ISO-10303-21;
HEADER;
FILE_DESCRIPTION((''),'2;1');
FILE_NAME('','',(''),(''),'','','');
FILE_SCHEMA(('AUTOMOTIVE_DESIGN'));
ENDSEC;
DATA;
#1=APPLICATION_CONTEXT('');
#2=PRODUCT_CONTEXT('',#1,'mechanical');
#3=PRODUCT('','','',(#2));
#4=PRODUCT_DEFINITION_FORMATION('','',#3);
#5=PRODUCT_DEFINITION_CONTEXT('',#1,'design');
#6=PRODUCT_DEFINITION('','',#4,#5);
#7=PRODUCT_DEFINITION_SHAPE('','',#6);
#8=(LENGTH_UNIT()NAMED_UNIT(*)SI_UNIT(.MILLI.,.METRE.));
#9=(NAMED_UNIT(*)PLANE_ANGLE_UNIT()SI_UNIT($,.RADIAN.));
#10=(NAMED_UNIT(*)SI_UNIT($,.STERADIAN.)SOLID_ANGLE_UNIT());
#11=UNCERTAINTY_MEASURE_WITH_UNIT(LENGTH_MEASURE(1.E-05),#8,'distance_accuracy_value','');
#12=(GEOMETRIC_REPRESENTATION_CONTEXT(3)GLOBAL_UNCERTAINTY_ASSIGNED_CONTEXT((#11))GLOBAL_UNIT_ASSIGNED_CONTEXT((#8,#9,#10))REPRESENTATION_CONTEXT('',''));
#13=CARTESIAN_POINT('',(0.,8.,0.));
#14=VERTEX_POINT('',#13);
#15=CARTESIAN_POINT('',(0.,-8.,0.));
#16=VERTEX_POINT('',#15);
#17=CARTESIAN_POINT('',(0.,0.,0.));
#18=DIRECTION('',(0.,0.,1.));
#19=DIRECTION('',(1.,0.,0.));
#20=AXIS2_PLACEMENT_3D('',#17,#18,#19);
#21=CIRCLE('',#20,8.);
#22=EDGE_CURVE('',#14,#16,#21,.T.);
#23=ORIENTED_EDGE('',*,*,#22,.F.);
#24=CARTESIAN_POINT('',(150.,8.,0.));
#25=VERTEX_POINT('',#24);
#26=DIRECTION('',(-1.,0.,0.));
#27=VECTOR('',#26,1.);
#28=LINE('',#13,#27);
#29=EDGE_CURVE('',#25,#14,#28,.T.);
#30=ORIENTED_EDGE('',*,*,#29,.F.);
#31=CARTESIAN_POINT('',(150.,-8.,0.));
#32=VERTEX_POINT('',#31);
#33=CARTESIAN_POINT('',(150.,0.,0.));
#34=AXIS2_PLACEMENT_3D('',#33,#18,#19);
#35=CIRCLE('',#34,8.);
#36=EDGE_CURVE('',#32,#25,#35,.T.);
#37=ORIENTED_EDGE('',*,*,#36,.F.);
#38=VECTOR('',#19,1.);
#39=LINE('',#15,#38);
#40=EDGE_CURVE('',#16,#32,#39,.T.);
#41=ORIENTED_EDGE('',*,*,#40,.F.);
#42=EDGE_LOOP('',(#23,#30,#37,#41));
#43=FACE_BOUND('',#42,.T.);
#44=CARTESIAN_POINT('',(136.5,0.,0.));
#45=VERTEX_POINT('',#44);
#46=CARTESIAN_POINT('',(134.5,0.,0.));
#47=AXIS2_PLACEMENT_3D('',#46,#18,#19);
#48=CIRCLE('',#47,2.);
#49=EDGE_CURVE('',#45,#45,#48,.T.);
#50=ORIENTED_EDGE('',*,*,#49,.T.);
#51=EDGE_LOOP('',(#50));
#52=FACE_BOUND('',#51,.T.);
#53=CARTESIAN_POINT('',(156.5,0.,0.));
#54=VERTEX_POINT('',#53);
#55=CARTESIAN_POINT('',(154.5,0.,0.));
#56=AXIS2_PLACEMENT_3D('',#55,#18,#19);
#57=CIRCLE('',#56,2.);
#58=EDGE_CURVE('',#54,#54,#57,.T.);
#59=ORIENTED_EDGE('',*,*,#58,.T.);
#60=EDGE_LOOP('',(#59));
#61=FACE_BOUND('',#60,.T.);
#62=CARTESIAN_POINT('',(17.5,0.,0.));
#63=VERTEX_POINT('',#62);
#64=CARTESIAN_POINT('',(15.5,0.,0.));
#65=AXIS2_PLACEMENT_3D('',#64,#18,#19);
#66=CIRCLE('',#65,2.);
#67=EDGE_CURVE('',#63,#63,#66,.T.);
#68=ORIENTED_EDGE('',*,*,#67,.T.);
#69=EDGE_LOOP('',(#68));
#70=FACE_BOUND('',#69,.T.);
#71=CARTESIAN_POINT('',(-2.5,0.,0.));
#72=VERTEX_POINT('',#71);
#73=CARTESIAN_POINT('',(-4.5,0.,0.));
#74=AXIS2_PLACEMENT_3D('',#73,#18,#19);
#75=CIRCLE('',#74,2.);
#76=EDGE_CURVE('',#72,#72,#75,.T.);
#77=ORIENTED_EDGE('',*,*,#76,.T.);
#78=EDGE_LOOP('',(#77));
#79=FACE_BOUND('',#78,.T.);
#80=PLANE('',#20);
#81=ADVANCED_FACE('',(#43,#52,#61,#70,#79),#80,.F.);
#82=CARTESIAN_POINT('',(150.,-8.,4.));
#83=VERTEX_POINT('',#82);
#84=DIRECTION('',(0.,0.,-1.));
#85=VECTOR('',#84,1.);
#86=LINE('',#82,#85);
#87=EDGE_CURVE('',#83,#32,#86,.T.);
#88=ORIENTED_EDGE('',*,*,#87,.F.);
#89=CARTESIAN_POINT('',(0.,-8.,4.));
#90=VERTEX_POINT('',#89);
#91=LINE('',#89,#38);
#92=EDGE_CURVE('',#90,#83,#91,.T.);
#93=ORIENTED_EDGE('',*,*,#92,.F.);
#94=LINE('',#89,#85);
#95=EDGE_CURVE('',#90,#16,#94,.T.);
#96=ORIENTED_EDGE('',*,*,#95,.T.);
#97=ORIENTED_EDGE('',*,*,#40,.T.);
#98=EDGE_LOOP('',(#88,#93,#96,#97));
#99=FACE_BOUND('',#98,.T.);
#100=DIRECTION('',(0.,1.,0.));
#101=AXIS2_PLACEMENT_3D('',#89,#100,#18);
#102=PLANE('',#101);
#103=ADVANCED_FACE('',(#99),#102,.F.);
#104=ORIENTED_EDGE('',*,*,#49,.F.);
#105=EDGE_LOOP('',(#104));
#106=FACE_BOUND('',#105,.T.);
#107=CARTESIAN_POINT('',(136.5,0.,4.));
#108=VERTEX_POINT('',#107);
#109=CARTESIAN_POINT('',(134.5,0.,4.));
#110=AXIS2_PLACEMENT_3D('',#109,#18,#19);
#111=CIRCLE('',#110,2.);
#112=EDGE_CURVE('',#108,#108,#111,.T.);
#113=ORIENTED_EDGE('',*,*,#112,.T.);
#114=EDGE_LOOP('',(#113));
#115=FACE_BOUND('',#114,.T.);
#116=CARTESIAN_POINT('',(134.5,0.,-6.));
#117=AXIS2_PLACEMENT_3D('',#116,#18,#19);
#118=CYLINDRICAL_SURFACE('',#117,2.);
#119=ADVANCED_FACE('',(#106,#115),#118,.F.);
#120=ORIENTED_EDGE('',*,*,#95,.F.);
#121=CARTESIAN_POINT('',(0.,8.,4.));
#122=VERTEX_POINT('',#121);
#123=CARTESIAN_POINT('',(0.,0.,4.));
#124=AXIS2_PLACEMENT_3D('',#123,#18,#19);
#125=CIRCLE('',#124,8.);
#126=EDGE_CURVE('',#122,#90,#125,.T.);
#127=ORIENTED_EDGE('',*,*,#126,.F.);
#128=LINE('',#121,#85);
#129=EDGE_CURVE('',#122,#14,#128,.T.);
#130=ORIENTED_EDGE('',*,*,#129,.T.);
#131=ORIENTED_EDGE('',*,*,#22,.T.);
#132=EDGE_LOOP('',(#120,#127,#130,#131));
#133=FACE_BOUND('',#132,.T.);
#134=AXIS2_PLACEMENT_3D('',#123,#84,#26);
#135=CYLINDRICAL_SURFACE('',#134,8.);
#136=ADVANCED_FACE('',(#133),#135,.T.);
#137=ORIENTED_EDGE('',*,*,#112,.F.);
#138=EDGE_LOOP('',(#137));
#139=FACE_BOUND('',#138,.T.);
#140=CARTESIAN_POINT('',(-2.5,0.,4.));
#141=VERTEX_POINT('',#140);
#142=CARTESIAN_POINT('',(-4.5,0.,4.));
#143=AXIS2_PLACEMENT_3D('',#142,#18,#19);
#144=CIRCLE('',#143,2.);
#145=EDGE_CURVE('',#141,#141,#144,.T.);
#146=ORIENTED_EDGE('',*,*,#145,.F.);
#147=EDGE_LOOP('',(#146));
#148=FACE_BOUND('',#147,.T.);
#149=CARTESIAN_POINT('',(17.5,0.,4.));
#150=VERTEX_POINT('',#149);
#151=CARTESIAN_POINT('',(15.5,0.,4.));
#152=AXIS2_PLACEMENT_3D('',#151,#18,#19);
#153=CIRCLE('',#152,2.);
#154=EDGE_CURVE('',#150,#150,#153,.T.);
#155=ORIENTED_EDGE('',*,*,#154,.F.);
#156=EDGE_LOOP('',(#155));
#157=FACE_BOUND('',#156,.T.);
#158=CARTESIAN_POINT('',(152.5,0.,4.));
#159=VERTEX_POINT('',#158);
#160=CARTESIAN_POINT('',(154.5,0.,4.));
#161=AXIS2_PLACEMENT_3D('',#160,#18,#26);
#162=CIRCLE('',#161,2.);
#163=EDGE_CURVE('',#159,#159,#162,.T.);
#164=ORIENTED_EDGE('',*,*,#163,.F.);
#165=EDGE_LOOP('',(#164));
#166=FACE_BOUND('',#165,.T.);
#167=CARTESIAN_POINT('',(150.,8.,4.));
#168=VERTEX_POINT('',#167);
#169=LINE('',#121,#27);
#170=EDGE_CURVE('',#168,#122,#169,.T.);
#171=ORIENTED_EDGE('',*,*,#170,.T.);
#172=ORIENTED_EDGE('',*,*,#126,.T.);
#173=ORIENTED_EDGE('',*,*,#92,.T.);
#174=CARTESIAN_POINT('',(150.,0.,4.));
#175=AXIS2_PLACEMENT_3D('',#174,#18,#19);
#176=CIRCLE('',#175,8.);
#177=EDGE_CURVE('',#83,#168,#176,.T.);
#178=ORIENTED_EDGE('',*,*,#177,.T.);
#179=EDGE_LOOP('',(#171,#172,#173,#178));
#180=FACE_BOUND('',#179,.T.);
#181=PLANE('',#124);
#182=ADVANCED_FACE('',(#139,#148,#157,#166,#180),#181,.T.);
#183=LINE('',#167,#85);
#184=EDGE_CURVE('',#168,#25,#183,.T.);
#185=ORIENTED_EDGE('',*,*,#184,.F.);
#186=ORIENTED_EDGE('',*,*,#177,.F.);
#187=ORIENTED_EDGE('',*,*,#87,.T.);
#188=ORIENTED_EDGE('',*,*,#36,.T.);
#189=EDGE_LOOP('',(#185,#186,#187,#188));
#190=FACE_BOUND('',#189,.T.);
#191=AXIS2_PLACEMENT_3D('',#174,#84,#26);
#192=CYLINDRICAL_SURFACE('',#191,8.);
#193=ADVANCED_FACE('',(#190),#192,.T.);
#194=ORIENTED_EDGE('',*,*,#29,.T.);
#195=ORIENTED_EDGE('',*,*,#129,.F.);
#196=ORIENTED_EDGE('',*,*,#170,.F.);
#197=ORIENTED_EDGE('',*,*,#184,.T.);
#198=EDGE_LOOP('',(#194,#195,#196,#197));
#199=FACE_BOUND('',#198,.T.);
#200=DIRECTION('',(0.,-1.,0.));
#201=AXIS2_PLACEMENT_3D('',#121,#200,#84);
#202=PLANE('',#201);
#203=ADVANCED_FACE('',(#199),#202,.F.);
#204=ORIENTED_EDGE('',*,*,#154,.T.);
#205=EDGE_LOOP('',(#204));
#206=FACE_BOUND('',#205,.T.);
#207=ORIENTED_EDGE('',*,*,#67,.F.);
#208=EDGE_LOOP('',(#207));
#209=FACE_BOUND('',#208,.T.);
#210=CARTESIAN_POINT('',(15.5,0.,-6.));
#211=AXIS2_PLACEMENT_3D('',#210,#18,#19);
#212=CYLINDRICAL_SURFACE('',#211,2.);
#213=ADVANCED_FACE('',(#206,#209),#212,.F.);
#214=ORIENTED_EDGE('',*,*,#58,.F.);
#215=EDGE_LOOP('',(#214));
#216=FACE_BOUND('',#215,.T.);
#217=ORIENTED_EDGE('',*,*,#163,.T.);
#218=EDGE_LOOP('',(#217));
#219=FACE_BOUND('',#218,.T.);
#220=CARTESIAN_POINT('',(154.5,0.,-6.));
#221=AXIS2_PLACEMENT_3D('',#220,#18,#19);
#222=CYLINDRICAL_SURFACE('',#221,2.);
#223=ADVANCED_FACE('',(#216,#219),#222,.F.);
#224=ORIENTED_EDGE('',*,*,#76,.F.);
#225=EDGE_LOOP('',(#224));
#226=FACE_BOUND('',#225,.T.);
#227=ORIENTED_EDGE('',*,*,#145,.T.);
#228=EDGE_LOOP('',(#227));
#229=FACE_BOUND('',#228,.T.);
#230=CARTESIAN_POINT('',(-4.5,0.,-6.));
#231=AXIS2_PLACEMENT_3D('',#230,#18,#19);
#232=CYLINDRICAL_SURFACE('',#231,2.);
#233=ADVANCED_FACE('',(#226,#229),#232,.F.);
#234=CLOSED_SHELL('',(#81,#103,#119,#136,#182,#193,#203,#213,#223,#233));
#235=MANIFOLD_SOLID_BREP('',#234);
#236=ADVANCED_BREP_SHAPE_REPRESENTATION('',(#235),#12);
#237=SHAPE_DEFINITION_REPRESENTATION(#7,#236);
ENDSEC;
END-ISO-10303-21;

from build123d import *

# Parameters (mm, degrees)
EXTRUDE_1_DEPTH     = 4
SKETCH_2_R          = 2
CUT_EXTRUDE_1_DEPTH = 10


with BuildPart() as part:
    # 草图1 → 凸台-拉伸1 (new body)
    with BuildSketch(Plane.XY):
        with BuildLine():
            Line((0, 8), (150, 8))
            ThreePointArc((150, 8), (158, 0), (150, -8))
            Line((150, -8), (0, -8))
            ThreePointArc((0, -8), (-8, 0), (0, 8))
        make_face()
    extrude(amount=EXTRUDE_1_DEPTH)

    # 草图2 → 切除-拉伸1 (cut)
    with BuildSketch(Plane.XY.offset(4)):
        with Locations((15.5, 0)):
            Circle(SKETCH_2_R)
        with Locations((134.5, 0)):
            Circle(SKETCH_2_R)
        with Locations((-4.5, 0)):
            Circle(SKETCH_2_R)
        with Locations((154.5, 0)):
            Circle(SKETCH_2_R)
    extrude(amount=-CUT_EXTRUDE_1_DEPTH, mode=Mode.SUBTRACT)


solid = part.part
